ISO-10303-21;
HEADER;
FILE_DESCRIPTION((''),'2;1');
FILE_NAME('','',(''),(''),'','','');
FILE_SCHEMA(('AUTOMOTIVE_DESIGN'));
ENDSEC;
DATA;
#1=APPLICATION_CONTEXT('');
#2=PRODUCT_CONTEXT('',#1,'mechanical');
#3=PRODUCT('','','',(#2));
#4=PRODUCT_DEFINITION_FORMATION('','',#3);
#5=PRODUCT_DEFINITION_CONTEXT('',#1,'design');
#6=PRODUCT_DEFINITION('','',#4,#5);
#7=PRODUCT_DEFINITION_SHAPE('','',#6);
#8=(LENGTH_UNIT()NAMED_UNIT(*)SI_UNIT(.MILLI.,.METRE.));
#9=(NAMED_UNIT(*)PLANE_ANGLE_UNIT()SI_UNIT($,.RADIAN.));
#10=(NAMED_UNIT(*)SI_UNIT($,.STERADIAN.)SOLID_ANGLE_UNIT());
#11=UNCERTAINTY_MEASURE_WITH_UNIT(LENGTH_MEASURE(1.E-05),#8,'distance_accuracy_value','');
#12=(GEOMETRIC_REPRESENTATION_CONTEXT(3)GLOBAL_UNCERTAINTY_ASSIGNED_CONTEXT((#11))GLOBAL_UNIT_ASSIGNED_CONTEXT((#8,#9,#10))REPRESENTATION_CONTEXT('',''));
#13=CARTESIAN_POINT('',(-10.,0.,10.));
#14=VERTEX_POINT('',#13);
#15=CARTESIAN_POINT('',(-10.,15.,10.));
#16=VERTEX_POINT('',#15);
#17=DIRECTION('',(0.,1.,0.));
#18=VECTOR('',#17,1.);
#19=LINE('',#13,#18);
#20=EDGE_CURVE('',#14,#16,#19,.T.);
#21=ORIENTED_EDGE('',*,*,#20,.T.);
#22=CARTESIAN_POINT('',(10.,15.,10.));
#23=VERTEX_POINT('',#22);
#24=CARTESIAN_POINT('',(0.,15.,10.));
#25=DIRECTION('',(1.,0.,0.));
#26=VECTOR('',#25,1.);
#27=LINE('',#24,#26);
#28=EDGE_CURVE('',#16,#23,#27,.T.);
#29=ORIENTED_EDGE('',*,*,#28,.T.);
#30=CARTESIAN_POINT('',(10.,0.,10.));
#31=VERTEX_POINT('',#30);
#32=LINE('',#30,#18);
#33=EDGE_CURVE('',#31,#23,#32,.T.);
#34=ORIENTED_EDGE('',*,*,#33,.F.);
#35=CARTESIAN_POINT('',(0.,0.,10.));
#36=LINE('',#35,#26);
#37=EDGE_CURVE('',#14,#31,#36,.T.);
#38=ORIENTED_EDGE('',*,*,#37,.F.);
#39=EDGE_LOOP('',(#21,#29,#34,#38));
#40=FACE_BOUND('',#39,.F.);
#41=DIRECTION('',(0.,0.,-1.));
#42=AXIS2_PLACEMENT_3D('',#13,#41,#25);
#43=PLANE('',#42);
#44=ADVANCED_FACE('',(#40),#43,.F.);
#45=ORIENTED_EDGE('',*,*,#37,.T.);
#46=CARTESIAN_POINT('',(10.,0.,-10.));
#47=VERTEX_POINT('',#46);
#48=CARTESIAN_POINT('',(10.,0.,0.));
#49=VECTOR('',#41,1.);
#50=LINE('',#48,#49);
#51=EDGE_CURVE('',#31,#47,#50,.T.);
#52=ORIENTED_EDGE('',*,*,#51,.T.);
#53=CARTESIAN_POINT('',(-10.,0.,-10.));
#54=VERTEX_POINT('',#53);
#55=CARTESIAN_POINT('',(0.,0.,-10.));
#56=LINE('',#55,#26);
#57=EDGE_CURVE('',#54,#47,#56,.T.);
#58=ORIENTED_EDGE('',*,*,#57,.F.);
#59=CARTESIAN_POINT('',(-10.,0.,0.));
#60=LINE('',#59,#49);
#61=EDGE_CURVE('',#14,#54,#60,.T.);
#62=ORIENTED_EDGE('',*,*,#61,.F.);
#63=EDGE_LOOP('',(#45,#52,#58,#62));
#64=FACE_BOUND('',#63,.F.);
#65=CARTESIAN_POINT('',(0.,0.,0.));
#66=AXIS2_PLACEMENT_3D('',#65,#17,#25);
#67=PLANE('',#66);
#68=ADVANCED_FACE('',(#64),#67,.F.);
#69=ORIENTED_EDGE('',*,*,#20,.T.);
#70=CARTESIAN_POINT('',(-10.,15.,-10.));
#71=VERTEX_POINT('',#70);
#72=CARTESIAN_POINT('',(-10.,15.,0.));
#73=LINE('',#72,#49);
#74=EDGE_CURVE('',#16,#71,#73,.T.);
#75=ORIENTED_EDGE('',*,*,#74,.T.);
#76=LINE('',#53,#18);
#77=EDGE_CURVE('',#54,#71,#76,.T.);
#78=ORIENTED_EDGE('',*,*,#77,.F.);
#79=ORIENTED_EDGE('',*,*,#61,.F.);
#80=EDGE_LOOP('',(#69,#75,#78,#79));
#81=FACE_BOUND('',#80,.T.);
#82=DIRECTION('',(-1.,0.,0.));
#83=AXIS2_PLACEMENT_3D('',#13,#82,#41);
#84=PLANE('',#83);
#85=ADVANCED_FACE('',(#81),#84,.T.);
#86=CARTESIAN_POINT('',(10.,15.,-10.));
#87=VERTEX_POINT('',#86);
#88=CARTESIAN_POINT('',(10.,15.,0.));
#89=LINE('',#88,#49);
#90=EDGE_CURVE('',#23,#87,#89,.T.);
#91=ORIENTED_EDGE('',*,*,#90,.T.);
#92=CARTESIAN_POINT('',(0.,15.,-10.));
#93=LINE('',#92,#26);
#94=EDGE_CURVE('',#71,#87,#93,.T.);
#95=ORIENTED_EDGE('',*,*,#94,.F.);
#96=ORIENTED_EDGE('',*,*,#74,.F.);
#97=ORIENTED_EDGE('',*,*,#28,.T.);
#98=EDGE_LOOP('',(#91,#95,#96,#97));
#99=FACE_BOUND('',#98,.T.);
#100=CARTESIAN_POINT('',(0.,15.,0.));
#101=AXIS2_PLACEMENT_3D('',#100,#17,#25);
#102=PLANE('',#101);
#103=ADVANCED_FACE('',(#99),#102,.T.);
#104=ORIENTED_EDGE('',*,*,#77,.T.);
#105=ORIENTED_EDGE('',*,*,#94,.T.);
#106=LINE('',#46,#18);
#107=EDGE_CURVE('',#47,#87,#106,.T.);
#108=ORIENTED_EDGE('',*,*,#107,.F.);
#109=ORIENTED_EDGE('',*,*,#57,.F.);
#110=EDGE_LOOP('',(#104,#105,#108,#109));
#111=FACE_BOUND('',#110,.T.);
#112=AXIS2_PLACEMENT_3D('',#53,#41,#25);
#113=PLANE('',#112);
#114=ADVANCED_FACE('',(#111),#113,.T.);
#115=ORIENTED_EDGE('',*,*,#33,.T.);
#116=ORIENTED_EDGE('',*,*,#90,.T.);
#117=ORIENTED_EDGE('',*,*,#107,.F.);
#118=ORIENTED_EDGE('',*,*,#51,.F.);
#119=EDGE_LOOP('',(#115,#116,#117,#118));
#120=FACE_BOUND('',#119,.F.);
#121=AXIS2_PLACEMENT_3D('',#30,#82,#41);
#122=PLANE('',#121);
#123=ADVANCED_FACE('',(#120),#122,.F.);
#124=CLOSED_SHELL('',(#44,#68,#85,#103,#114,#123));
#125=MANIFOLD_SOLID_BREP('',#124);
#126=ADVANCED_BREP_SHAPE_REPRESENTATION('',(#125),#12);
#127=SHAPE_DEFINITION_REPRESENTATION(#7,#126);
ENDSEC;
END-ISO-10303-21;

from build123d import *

# Parameters (mm, degrees)
SKETCH1_W           = 20
SKETCH1_H           = 20
BOSS_EXTRUDE1_DEPTH = 15


with BuildPart() as part:
    # Sketch1 → Boss-Extrude1 (new body)
    with BuildSketch(Plane(origin=(0, 0, 0), x_dir=(1, 0, 0), z_dir=(0, 1, 0))):
        Rectangle(SKETCH1_W, SKETCH1_H)
    extrude(amount=BOSS_EXTRUDE1_DEPTH)


solid = part.part
